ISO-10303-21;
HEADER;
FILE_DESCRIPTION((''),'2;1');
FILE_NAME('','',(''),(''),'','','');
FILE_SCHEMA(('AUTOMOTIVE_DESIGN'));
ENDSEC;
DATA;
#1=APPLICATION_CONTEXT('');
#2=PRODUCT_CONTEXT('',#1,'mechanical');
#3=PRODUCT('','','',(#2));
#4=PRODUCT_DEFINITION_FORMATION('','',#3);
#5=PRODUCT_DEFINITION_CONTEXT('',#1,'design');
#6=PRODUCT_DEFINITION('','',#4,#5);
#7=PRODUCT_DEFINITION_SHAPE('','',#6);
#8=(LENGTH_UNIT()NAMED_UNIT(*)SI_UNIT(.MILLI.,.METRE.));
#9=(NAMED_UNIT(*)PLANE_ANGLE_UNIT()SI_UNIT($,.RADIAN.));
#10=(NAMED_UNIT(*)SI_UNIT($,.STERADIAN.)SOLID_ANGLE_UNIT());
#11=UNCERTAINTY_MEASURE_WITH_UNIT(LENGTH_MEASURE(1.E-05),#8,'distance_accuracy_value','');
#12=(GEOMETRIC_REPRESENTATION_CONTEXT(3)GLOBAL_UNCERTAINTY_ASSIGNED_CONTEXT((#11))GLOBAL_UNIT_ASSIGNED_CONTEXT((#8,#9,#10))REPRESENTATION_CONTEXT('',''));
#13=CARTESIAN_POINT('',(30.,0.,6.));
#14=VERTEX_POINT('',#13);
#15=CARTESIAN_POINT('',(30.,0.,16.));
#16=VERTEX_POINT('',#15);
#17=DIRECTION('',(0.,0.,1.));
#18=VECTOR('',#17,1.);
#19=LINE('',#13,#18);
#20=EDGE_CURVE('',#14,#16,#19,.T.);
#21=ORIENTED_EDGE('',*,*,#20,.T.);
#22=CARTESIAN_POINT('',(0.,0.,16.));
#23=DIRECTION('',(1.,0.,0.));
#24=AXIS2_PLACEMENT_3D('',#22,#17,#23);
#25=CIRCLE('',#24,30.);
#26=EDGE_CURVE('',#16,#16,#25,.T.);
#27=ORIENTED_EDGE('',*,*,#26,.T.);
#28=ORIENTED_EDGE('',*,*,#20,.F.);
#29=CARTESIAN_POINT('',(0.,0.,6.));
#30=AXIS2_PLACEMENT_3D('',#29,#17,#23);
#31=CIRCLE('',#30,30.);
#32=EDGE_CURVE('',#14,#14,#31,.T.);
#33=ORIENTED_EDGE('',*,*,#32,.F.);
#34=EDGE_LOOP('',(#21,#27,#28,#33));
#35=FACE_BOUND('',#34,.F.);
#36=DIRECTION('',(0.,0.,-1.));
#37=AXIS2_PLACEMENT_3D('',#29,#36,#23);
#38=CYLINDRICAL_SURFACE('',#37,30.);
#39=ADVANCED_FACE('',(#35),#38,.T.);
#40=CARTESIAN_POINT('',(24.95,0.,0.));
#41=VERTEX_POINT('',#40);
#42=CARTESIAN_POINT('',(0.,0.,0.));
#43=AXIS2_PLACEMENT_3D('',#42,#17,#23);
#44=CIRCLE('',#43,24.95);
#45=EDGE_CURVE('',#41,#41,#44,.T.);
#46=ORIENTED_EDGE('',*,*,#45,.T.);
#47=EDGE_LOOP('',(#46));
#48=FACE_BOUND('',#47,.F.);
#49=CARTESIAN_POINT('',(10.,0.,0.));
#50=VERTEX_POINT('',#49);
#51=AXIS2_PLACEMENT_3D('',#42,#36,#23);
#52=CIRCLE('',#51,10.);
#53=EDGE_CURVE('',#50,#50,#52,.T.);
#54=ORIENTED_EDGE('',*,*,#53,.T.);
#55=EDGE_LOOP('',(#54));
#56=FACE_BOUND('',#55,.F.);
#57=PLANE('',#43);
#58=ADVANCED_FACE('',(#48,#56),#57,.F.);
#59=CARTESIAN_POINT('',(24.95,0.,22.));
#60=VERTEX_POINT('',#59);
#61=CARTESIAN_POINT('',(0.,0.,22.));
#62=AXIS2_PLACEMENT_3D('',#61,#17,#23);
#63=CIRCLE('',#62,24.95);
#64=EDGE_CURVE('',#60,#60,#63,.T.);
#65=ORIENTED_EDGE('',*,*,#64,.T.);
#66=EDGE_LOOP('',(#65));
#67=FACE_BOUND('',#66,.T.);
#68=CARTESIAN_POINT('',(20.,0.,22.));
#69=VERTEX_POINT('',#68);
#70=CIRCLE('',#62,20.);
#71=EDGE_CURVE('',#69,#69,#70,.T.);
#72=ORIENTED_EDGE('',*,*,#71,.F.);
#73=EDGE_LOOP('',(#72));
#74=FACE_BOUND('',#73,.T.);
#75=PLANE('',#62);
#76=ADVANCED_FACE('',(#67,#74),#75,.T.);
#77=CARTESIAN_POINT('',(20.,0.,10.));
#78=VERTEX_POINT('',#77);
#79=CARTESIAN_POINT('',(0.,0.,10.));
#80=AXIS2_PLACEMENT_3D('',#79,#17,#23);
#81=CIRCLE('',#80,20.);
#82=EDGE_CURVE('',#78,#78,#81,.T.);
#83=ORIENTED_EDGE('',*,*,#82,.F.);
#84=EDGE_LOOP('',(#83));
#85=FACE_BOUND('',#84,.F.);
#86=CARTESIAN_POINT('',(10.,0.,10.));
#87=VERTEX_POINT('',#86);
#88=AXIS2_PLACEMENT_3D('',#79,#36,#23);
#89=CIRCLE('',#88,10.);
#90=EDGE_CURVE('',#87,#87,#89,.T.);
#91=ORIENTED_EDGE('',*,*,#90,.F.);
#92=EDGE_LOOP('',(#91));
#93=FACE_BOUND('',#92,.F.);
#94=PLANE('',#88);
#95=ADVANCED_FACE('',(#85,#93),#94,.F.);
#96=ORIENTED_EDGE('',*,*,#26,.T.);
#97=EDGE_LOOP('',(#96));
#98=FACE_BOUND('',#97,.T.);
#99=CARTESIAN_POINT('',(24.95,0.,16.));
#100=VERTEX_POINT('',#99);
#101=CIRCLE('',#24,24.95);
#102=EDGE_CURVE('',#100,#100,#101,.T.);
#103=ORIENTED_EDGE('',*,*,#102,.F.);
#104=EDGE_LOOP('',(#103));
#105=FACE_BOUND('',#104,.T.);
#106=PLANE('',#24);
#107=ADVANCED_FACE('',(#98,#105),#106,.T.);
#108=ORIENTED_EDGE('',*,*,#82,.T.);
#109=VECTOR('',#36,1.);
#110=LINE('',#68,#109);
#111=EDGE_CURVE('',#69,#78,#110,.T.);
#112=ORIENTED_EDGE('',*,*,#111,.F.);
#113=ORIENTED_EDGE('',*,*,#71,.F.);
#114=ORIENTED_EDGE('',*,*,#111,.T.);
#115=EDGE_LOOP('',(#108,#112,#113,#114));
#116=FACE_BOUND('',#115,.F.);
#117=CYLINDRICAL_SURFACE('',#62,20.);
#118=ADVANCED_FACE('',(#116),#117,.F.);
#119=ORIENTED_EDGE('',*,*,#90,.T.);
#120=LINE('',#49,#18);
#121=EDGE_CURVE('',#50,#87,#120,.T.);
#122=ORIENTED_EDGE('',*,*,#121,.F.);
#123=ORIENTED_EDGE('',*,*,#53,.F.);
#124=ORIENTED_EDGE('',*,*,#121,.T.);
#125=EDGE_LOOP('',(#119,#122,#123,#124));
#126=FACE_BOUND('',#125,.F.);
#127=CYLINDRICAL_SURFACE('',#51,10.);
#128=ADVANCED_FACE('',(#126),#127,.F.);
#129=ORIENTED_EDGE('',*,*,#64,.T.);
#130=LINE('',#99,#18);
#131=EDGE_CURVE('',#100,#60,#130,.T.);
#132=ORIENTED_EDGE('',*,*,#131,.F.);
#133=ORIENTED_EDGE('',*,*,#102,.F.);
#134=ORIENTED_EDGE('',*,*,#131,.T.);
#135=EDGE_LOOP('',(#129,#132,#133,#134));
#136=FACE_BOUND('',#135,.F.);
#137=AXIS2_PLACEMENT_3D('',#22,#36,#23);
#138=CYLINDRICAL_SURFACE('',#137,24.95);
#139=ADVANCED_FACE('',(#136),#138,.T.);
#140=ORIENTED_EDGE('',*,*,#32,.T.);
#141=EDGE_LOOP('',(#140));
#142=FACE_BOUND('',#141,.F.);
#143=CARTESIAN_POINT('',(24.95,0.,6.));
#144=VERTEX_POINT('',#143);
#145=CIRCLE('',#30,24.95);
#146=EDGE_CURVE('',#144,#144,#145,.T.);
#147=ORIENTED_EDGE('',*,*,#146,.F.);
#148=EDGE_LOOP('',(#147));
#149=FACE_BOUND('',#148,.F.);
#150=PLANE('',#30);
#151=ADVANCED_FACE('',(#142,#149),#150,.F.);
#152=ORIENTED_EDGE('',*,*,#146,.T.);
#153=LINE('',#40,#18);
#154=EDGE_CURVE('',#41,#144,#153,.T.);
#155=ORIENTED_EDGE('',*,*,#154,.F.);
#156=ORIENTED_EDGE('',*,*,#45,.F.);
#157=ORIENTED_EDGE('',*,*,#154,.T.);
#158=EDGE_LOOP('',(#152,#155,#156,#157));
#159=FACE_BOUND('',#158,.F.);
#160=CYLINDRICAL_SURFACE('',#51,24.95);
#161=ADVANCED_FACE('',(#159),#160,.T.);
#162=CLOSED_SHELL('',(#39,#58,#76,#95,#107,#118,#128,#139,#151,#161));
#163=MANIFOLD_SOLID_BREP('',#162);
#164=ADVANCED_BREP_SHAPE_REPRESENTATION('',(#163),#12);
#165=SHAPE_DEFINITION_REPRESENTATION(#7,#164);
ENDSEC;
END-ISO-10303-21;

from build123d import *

# Parameters (mm, degrees)
F0_R     = 24.95
F1_DEPTH = 6
F2_R     = 30
F3_DEPTH = 10
F4_R     = 24.95
F5_DEPTH = 6
F6_R     = 20
F7_DEPTH = 22.001
F8_R     = 24.95
F8_R_2   = 10
F9_DEPTH = 10


with BuildPart() as f1:
    # F0 (on Top) → F1 (new body)
    with BuildSketch(Plane.XY):
        Circle(F0_R)
    extrude(amount=F1_DEPTH)

    # F2 (on face) → F3 (join)
    with BuildSketch(Plane.XY.offset(6)):
        Circle(F2_R)
    extrude(amount=F3_DEPTH)

    # F4 (on face) → F5 (join)
    with BuildSketch(Plane.XY.offset(16)):
        Circle(F4_R)
    extrude(amount=F5_DEPTH)

    # F6 (on face) → F7 (cut, through all)
    with BuildSketch(Plane.XY.offset(22)):
        Circle(F6_R)
    extrude(amount=-F7_DEPTH, mode=Mode.SUBTRACT)

    # F8 (on face) → F9 (join)
    with BuildSketch(Plane(origin=(0, 0, 0), x_dir=(1, 0, 0), z_dir=(0, 0, -1))):
        Circle(F8_R)
        Circle(F8_R_2, mode=Mode.SUBTRACT)
    extrude(amount=-F9_DEPTH)


solid = f1.part
